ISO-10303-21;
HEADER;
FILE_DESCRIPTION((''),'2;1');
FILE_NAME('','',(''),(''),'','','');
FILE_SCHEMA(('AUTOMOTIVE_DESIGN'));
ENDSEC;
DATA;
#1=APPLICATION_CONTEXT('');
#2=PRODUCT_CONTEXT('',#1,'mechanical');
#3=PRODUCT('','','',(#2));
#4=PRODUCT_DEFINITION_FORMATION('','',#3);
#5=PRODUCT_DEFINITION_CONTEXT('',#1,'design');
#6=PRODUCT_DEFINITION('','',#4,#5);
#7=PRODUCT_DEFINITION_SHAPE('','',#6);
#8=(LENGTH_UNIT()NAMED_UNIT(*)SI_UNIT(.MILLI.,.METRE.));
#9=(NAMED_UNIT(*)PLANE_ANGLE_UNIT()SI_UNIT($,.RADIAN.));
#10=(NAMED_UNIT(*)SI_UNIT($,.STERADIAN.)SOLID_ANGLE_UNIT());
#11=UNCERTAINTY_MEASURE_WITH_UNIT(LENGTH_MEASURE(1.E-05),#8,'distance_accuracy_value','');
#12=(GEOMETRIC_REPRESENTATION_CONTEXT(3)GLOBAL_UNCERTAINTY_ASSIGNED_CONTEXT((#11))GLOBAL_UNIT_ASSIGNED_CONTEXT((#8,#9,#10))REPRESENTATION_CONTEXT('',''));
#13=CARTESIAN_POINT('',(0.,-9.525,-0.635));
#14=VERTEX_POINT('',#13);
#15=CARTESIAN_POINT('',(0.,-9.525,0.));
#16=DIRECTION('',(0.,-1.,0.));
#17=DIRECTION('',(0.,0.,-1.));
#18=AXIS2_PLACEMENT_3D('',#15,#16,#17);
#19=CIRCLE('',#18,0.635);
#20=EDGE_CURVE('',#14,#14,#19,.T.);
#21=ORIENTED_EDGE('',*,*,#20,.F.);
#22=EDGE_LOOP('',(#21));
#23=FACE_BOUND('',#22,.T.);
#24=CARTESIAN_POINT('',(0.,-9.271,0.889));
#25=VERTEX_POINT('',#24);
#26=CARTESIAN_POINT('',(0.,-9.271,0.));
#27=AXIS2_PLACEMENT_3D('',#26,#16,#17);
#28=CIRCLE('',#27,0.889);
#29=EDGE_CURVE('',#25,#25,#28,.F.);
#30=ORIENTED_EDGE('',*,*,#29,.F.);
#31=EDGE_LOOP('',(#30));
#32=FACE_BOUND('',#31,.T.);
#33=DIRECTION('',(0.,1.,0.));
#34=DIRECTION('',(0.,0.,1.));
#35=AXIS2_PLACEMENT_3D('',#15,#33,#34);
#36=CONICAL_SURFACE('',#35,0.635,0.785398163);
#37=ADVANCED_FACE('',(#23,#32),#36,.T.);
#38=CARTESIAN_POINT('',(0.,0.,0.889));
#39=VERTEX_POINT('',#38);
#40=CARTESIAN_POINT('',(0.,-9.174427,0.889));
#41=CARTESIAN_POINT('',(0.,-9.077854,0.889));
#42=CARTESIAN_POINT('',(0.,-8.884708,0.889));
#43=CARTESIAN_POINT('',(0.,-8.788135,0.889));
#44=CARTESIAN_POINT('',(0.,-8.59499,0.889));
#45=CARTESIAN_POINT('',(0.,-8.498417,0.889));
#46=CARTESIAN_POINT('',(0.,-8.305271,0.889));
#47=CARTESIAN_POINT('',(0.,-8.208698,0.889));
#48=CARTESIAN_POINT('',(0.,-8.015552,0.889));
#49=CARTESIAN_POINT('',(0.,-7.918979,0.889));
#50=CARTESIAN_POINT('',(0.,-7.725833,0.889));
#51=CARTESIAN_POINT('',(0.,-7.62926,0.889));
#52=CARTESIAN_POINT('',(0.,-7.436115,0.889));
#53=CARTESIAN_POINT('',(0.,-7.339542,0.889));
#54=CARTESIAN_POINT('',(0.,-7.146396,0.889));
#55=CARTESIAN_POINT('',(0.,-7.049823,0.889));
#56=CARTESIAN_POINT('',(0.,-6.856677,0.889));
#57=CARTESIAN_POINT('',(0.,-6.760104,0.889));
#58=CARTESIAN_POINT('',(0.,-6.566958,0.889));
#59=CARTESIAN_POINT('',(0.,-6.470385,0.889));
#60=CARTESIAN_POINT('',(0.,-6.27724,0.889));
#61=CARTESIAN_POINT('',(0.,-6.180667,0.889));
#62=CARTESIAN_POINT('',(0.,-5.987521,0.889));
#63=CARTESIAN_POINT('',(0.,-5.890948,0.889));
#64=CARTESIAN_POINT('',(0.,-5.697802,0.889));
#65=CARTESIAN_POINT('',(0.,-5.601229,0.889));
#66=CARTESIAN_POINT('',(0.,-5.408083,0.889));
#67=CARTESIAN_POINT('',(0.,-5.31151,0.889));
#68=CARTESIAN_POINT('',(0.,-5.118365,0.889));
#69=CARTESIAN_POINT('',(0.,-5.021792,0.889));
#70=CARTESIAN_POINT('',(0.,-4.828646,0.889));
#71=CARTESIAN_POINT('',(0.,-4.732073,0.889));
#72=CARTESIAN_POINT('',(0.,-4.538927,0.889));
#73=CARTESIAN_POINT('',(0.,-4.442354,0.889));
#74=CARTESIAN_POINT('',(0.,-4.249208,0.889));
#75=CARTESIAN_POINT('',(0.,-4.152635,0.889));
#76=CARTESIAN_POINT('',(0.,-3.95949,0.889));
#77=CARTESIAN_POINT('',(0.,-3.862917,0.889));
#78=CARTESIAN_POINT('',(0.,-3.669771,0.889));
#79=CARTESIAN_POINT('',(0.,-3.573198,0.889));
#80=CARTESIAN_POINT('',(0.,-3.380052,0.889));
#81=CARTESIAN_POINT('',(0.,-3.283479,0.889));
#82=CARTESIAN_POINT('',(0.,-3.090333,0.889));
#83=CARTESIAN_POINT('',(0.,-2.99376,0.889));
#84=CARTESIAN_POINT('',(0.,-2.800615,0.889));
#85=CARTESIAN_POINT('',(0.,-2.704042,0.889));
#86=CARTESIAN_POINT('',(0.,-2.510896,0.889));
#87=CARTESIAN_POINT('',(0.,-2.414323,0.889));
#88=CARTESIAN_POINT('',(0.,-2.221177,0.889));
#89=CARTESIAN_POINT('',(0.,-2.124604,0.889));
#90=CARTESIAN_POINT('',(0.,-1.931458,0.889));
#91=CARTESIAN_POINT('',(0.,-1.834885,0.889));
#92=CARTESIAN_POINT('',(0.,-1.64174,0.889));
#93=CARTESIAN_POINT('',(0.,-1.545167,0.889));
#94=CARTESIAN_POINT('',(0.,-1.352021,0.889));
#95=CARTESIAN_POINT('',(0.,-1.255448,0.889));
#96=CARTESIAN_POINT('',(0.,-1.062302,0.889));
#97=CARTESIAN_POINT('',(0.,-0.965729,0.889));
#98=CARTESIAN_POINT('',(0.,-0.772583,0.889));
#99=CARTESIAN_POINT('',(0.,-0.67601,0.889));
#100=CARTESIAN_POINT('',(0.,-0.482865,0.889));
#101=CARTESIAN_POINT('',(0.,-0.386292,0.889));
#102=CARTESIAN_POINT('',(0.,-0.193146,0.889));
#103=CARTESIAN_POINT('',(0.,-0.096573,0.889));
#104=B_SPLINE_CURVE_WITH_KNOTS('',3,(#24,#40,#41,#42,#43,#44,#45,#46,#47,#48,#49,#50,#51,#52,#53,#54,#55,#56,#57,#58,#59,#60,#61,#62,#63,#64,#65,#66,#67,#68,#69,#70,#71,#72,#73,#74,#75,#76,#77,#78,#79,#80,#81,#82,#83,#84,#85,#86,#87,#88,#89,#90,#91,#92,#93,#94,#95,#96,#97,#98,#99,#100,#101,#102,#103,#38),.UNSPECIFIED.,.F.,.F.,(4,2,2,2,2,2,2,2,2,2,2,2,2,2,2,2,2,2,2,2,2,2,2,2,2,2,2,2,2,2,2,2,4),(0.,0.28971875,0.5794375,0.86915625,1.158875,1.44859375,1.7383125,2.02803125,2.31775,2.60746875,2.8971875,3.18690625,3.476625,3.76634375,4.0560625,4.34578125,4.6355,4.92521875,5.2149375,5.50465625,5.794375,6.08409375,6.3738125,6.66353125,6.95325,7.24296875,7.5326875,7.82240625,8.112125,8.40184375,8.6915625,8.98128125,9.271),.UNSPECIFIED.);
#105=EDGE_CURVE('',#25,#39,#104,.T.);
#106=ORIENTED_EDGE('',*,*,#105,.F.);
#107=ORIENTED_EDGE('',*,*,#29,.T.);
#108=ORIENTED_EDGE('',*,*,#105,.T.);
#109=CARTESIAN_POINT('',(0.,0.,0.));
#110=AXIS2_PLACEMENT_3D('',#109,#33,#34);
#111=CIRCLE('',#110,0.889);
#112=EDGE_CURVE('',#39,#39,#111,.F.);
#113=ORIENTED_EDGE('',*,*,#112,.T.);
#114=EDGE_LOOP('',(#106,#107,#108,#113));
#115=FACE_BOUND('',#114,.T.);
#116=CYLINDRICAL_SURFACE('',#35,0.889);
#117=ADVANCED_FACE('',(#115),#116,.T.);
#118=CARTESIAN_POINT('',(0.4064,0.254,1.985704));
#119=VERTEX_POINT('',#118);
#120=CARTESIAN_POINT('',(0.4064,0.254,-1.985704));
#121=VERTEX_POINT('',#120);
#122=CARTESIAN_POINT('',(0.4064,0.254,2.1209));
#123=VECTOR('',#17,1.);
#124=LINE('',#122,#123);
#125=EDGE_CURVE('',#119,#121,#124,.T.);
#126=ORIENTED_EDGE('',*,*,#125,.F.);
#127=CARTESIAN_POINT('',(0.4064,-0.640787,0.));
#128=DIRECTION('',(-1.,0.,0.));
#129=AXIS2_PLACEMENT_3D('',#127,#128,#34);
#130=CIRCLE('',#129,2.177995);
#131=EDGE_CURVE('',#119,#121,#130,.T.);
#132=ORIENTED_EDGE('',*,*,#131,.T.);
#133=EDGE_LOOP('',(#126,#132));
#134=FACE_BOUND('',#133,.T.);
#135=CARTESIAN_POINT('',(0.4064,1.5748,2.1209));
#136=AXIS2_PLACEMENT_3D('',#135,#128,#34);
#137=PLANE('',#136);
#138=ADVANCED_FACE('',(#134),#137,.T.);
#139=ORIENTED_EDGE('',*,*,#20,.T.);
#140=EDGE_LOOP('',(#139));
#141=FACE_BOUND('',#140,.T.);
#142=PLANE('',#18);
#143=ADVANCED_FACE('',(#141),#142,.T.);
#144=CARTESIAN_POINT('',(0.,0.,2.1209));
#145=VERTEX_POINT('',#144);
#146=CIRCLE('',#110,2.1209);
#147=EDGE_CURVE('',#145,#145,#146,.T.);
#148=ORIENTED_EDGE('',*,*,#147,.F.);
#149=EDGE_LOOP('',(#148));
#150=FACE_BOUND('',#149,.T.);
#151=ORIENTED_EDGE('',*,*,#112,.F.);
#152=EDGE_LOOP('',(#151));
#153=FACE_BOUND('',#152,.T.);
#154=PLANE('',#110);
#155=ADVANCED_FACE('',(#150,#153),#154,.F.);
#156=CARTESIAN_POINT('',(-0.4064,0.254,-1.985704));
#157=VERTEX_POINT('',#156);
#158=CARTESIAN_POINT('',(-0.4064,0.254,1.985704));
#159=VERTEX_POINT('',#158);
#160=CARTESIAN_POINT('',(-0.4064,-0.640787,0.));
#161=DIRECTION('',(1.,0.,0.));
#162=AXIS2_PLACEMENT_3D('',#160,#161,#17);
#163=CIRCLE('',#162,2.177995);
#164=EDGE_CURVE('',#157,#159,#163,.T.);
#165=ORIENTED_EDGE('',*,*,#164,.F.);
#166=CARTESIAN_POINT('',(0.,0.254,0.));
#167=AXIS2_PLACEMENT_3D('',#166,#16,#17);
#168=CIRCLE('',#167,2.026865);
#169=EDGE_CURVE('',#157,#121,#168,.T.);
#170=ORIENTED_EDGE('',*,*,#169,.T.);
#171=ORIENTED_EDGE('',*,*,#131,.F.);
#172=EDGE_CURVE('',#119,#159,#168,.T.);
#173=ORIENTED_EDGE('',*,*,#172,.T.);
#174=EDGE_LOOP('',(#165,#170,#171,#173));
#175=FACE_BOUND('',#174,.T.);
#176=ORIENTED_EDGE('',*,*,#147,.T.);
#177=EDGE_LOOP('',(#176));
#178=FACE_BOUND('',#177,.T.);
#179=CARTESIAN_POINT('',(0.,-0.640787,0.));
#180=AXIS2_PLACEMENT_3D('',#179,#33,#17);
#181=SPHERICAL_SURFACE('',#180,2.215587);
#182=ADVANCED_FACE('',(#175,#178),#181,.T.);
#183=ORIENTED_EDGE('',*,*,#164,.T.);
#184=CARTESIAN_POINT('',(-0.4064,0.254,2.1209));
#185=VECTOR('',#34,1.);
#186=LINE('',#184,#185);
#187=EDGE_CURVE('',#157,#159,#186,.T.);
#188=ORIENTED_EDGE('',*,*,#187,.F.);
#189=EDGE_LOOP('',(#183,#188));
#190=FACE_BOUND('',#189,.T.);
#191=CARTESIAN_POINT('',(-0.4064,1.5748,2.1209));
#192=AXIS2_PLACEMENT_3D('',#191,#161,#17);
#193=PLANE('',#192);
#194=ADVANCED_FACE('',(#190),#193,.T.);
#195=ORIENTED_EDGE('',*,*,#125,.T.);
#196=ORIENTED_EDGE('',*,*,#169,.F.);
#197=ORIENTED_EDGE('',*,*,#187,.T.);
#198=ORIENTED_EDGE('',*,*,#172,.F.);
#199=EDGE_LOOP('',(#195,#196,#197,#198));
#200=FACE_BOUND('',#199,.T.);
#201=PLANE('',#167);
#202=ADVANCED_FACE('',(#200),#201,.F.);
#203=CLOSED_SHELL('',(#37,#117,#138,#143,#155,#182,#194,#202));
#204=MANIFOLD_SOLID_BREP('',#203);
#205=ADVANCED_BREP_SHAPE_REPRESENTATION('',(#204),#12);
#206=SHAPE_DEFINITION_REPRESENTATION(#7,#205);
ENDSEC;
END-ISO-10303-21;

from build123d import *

# Parameters (mm, degrees)
SKETCH3_R           = 0.889
BOSS_EXTRUDE1_DEPTH = 9.525
CHAMFER1_SIZE       = 0.254
CUT_EXTRUDE1_START  = 0.254
SKETCH4_W           = 0.8128
SKETCH4_H           = 4.2418
CUT_EXTRUDE1_DEPTH  = 10.732093261


with BuildPart() as part:
    # Sketch2 → Revolve1 (revolve)
    with BuildSketch(Plane(origin=(0, 0, 0), x_dir=(0, 0, -1), z_dir=(1, 0, 0))):
        with BuildLine():
            Line((0, 0), (2.1209, 0))
            ThreePointArc((2.1209, 0), (1.320815264, 1.138053219), (0, 1.5748))
            Line((0, 1.5748), (0, 0))
        make_face()
    revolve(axis=Axis((0, 0.415157056, 0), (0, -1, 0)))

    # Sketch3 → Boss-Extrude1 (add)
    with BuildSketch(Plane.XZ):
        with Locations(Location((0, 0, 0), (0, 0, 90))):
            Circle(SKETCH3_R)
    extrude(amount=BOSS_EXTRUDE1_DEPTH)

    # Chamfer1
    chamfer1_edges = [part.edges().sort_by_distance(p)[0] for p in [
        (0, -9.525, -0.889),
    ]]
    chamfer(chamfer1_edges, length=CHAMFER1_SIZE)

    # Sketch4 → Cut-Extrude1 (cut, through all)
    with BuildSketch(Plane(origin=(0, 0, 0), x_dir=(1, 0, 0), z_dir=(0, 1, 0)).offset(CUT_EXTRUDE1_START)):
        Rectangle(SKETCH4_W, SKETCH4_H)
    extrude(amount=CUT_EXTRUDE1_DEPTH, mode=Mode.SUBTRACT)


solid = part.part
